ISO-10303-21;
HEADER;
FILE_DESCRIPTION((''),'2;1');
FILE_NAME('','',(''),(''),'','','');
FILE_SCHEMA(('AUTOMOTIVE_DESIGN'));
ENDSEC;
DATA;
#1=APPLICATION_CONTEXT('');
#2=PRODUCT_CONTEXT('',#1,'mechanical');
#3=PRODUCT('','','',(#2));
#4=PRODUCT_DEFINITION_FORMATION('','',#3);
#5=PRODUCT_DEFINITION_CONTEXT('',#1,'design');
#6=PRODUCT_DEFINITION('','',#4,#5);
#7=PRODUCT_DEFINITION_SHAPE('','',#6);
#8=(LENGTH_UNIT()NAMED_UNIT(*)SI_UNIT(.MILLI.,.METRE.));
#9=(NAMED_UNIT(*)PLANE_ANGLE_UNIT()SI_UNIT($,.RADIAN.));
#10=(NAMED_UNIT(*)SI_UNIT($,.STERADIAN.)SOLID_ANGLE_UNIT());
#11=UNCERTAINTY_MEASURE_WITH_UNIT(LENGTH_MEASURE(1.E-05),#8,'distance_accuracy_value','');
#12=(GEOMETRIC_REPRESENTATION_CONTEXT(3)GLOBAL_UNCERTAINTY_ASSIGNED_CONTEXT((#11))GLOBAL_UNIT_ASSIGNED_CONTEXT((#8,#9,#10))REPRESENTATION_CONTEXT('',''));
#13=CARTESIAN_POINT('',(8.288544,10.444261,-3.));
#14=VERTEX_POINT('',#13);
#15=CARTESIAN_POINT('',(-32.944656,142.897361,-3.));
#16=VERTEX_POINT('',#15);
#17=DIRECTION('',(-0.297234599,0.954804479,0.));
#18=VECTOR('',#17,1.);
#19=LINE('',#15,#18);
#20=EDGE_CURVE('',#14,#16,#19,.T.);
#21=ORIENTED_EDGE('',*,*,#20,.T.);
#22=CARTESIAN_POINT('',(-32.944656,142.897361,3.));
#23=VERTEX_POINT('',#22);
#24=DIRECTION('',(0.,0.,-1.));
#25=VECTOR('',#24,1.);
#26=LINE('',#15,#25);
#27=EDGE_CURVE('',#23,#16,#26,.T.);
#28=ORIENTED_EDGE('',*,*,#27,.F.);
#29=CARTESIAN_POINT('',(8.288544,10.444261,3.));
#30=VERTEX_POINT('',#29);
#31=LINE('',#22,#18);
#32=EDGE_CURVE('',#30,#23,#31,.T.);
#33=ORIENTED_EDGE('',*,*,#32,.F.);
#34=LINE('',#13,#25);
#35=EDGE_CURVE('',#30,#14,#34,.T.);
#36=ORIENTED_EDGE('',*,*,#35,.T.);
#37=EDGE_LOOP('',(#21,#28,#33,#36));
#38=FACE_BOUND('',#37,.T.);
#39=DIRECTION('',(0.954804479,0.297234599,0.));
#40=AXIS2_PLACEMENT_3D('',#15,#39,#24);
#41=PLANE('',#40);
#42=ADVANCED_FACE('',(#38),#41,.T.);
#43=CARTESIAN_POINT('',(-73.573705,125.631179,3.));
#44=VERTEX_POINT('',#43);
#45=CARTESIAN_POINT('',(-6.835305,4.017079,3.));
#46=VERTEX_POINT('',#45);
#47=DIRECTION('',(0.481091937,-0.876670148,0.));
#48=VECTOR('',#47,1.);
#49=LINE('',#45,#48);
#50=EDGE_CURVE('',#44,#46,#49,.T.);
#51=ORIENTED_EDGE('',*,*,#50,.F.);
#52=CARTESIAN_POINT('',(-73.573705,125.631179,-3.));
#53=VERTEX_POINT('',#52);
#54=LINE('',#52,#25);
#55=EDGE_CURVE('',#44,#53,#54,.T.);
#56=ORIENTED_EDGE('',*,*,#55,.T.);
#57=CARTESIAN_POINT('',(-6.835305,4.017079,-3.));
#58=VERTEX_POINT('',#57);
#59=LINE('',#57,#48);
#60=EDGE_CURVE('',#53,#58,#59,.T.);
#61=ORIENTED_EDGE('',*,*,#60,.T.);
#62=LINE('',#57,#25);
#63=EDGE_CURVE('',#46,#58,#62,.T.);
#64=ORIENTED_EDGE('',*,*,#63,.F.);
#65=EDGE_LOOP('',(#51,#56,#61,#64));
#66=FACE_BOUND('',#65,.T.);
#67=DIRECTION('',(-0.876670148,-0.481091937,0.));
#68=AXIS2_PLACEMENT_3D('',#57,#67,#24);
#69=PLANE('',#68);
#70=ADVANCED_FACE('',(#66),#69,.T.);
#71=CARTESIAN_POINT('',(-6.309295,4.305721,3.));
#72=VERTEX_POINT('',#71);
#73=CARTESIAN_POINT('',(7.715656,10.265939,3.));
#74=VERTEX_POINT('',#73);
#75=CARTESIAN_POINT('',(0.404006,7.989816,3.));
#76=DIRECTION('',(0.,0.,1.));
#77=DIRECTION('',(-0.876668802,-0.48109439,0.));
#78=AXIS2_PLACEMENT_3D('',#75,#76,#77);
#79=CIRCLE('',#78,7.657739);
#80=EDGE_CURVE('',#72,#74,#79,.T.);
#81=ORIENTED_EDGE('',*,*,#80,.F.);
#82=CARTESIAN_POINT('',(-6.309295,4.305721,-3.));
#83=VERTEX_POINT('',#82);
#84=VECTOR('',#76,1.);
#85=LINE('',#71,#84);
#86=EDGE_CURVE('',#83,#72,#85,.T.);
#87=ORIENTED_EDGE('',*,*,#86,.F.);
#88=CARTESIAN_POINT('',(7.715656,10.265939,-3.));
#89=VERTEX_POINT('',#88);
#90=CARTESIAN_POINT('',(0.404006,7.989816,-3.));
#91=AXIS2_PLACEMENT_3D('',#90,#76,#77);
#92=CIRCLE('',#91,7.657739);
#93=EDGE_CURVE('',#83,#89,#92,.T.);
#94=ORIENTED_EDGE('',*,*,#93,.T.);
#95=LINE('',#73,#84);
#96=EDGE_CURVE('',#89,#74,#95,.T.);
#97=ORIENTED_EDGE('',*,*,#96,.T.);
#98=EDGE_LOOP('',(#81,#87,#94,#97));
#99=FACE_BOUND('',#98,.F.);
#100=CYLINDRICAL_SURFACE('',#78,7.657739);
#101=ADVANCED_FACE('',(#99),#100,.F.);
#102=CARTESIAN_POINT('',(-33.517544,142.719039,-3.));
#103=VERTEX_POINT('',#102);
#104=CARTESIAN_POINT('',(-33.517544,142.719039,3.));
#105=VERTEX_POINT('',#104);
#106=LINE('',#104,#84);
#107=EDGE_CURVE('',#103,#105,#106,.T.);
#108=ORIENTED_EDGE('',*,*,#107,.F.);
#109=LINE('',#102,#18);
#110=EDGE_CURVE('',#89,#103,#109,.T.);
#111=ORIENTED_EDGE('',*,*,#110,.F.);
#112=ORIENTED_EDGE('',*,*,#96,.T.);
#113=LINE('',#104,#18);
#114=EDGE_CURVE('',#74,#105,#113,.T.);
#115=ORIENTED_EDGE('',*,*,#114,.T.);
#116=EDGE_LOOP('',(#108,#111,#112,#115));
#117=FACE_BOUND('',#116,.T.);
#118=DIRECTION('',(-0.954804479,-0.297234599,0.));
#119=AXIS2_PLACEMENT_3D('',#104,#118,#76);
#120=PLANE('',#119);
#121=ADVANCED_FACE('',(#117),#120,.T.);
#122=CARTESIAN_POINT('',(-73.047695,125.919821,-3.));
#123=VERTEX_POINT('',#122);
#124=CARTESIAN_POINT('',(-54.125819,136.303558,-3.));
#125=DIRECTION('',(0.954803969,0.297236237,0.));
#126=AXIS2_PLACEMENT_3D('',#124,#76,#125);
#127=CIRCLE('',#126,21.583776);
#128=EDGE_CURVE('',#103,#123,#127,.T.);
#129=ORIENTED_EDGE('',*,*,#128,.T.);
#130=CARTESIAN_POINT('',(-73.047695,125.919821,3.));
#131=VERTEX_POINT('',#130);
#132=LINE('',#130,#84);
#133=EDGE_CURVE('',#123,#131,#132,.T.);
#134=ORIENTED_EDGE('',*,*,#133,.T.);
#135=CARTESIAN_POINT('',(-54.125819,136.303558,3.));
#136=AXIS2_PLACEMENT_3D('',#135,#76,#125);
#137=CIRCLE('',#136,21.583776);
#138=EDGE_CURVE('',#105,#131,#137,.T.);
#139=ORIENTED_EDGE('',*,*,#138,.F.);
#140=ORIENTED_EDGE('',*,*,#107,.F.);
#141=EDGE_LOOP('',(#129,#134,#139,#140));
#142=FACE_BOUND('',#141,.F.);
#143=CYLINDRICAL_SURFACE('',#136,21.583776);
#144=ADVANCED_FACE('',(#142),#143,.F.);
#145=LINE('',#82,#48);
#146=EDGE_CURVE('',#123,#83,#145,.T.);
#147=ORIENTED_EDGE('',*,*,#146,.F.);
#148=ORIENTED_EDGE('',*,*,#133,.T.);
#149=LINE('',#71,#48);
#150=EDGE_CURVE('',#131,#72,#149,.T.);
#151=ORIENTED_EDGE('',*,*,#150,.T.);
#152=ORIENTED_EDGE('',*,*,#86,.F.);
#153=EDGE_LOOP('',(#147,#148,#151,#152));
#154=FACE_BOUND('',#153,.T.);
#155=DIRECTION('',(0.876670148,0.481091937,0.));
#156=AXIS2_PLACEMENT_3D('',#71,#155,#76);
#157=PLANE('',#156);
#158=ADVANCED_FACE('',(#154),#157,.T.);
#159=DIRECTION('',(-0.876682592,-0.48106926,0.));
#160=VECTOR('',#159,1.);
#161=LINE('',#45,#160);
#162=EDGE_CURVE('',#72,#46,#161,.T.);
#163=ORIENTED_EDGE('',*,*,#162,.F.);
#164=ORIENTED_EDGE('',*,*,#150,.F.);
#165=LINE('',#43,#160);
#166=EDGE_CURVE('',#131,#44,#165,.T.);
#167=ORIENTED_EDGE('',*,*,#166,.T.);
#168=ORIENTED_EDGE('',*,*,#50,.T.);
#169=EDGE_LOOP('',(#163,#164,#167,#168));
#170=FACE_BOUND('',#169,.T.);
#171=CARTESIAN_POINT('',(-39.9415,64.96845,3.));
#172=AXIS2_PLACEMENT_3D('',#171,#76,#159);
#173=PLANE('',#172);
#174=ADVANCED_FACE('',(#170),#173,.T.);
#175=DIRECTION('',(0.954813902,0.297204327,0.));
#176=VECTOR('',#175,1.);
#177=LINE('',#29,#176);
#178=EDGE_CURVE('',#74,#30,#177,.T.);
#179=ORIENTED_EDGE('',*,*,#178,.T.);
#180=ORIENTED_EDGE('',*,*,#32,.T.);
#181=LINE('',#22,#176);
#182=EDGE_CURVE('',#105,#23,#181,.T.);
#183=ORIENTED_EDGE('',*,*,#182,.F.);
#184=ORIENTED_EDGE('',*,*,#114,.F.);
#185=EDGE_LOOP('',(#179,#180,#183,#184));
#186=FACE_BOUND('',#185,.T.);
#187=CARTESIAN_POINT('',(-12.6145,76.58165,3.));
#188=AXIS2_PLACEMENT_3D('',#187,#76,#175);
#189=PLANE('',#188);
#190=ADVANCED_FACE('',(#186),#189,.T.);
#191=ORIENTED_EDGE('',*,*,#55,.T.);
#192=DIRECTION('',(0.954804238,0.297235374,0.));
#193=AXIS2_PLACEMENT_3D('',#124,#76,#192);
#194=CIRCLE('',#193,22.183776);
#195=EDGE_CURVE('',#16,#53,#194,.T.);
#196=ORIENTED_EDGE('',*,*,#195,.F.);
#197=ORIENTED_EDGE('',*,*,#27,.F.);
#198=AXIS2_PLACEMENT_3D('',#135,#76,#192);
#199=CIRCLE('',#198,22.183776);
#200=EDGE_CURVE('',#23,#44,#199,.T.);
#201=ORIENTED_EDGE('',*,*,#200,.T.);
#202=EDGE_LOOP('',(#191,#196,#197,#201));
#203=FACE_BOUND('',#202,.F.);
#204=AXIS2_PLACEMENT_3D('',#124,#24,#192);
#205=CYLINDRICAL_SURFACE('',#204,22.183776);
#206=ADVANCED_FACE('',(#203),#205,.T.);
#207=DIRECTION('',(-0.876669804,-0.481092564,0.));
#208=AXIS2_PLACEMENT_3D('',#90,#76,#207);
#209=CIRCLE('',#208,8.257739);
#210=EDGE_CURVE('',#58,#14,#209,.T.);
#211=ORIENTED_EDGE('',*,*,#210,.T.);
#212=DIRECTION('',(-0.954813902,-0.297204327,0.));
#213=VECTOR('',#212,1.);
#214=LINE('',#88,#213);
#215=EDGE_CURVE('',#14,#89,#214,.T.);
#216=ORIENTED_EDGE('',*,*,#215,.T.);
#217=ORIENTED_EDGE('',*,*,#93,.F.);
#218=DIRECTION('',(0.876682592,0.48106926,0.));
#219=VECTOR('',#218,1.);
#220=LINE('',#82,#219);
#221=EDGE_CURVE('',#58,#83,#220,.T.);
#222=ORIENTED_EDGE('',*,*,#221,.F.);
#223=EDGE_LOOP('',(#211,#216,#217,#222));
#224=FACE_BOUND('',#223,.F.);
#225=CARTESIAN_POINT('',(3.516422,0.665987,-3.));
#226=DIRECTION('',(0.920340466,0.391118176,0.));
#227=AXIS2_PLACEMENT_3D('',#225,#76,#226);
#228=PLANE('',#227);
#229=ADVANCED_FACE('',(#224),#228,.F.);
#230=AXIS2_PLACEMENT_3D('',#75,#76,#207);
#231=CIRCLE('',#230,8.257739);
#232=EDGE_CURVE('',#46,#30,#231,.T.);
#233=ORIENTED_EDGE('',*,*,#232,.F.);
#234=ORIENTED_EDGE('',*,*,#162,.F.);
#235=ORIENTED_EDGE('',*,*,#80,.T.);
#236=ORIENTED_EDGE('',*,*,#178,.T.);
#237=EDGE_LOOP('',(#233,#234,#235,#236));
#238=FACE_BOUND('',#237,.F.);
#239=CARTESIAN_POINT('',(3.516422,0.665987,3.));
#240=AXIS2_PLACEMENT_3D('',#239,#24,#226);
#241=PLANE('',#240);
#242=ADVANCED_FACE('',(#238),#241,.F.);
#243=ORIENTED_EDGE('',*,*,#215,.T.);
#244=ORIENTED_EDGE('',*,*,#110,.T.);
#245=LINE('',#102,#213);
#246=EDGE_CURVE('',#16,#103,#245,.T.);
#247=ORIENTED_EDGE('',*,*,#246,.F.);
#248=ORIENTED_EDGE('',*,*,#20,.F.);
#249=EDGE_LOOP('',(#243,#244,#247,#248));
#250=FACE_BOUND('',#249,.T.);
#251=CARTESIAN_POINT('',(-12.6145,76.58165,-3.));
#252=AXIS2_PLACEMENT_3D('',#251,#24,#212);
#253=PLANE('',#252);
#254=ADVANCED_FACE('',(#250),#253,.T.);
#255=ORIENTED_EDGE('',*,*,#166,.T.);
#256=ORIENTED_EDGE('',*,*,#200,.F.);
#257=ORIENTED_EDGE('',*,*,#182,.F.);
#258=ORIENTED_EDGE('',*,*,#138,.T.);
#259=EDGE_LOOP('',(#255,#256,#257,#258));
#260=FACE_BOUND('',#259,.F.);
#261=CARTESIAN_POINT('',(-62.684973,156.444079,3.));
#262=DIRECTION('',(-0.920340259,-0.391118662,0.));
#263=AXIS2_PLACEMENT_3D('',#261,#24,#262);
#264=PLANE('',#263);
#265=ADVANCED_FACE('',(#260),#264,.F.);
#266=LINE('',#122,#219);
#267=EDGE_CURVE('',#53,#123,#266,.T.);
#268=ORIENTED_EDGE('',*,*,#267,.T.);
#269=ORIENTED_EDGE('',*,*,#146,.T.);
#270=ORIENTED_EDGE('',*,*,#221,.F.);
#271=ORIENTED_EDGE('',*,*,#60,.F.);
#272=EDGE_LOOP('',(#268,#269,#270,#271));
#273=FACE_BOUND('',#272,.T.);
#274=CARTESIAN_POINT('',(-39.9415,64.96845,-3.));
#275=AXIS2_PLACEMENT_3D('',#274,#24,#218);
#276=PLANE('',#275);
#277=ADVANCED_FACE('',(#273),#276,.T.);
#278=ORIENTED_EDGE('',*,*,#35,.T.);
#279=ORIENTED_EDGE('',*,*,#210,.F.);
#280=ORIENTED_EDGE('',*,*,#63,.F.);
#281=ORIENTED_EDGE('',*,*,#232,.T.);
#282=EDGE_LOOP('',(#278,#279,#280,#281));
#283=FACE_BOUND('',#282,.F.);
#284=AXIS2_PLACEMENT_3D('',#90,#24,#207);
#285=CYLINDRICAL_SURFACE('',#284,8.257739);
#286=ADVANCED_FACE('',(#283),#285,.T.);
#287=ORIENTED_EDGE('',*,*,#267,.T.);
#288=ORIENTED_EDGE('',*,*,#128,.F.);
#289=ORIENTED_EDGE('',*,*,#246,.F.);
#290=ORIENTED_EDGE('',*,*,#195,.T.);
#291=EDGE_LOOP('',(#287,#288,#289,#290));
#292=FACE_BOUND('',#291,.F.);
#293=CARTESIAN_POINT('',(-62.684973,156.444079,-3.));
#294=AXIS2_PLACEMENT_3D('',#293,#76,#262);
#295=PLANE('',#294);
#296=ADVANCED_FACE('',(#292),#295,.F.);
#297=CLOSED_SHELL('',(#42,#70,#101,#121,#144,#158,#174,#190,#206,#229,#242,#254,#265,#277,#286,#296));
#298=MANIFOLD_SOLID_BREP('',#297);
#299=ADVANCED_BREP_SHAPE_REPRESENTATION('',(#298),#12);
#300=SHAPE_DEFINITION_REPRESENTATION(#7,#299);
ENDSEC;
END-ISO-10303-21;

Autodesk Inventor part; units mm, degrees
sketch "Sketch Path" plane through (0, 0, 0) normal (0, 0, 1) x (1, 0, 0)
  arc A0 (-6.5723, 4.1614) -> (8.0021, 10.3551) centre (0.404, 7.9898) ccw
  arc A1 (-33.2311, 142.8082) -> (-73.3107, 125.7755) centre (-54.1258, 136.3036) ccw
  line L0 (-33.2311, 142.8082) -> (8.0021, 10.3551)
  line L1 (-6.5723, 4.1614) -> (-73.3107, 125.7755)
ref_plane "Cross Section Plane" through (8.0021, 10.3551, 0) normal (-0.2972, 0.9548, 0) x (0, 0, 1)
ref_plane "Work Plane2" through (0.404, 7.9898, 0) normal (-1, 0, 0) x (0, 0, 1)
ref_plane "Work Plane3" through (-54.1258, 136.3036, 0) normal (0.4702, -0.8826, 0) x (0, 0, 1)
sketch "Cross Section" plane through (8.0021, 10.3551, 0) normal (-0.2972, 0.9548, 0) x (0, 0, 1)
  line L0 (-3, 0.3) -> (3, 0.3)
  line L1 (3, 0.3) -> (3, -0.3)
  line L2 (3, -0.3) -> (-3, -0.3)
  line L3 (-3, -0.3) -> (-3, 0.3)
  line L4 (-3, 0) -> (3, 0) construction
  point P0 (0, 0)
  point P1 (0, 0)
  dimension "d0" = 6
  dimension "d4" = 0.3
  dimension "d5" = 0.3
sweep "Belt" add profiles "Cross Section" path "Sketch Path"
equation "\"d0\" = da_B"
equation "\"d4\" = da_a"
equation "\"d5\" = da_a2"
equation "\"da_B\" = 6"
equation "\"da_pb\" = 2.5"
equation "\"da_L\" = 373.98217"
equation "\"da_a\" = 0.3"
equation "\"da_S\" = 1.5"
equation "\"da_Beta\" = 20deg"
equation "\"da_Ht\" = 0.7"
equation "\"da_H\" = 1.3"
equation "\"da_a2\" = 0.3"
properties part number "Synchronous Belt" material "Rubber"
